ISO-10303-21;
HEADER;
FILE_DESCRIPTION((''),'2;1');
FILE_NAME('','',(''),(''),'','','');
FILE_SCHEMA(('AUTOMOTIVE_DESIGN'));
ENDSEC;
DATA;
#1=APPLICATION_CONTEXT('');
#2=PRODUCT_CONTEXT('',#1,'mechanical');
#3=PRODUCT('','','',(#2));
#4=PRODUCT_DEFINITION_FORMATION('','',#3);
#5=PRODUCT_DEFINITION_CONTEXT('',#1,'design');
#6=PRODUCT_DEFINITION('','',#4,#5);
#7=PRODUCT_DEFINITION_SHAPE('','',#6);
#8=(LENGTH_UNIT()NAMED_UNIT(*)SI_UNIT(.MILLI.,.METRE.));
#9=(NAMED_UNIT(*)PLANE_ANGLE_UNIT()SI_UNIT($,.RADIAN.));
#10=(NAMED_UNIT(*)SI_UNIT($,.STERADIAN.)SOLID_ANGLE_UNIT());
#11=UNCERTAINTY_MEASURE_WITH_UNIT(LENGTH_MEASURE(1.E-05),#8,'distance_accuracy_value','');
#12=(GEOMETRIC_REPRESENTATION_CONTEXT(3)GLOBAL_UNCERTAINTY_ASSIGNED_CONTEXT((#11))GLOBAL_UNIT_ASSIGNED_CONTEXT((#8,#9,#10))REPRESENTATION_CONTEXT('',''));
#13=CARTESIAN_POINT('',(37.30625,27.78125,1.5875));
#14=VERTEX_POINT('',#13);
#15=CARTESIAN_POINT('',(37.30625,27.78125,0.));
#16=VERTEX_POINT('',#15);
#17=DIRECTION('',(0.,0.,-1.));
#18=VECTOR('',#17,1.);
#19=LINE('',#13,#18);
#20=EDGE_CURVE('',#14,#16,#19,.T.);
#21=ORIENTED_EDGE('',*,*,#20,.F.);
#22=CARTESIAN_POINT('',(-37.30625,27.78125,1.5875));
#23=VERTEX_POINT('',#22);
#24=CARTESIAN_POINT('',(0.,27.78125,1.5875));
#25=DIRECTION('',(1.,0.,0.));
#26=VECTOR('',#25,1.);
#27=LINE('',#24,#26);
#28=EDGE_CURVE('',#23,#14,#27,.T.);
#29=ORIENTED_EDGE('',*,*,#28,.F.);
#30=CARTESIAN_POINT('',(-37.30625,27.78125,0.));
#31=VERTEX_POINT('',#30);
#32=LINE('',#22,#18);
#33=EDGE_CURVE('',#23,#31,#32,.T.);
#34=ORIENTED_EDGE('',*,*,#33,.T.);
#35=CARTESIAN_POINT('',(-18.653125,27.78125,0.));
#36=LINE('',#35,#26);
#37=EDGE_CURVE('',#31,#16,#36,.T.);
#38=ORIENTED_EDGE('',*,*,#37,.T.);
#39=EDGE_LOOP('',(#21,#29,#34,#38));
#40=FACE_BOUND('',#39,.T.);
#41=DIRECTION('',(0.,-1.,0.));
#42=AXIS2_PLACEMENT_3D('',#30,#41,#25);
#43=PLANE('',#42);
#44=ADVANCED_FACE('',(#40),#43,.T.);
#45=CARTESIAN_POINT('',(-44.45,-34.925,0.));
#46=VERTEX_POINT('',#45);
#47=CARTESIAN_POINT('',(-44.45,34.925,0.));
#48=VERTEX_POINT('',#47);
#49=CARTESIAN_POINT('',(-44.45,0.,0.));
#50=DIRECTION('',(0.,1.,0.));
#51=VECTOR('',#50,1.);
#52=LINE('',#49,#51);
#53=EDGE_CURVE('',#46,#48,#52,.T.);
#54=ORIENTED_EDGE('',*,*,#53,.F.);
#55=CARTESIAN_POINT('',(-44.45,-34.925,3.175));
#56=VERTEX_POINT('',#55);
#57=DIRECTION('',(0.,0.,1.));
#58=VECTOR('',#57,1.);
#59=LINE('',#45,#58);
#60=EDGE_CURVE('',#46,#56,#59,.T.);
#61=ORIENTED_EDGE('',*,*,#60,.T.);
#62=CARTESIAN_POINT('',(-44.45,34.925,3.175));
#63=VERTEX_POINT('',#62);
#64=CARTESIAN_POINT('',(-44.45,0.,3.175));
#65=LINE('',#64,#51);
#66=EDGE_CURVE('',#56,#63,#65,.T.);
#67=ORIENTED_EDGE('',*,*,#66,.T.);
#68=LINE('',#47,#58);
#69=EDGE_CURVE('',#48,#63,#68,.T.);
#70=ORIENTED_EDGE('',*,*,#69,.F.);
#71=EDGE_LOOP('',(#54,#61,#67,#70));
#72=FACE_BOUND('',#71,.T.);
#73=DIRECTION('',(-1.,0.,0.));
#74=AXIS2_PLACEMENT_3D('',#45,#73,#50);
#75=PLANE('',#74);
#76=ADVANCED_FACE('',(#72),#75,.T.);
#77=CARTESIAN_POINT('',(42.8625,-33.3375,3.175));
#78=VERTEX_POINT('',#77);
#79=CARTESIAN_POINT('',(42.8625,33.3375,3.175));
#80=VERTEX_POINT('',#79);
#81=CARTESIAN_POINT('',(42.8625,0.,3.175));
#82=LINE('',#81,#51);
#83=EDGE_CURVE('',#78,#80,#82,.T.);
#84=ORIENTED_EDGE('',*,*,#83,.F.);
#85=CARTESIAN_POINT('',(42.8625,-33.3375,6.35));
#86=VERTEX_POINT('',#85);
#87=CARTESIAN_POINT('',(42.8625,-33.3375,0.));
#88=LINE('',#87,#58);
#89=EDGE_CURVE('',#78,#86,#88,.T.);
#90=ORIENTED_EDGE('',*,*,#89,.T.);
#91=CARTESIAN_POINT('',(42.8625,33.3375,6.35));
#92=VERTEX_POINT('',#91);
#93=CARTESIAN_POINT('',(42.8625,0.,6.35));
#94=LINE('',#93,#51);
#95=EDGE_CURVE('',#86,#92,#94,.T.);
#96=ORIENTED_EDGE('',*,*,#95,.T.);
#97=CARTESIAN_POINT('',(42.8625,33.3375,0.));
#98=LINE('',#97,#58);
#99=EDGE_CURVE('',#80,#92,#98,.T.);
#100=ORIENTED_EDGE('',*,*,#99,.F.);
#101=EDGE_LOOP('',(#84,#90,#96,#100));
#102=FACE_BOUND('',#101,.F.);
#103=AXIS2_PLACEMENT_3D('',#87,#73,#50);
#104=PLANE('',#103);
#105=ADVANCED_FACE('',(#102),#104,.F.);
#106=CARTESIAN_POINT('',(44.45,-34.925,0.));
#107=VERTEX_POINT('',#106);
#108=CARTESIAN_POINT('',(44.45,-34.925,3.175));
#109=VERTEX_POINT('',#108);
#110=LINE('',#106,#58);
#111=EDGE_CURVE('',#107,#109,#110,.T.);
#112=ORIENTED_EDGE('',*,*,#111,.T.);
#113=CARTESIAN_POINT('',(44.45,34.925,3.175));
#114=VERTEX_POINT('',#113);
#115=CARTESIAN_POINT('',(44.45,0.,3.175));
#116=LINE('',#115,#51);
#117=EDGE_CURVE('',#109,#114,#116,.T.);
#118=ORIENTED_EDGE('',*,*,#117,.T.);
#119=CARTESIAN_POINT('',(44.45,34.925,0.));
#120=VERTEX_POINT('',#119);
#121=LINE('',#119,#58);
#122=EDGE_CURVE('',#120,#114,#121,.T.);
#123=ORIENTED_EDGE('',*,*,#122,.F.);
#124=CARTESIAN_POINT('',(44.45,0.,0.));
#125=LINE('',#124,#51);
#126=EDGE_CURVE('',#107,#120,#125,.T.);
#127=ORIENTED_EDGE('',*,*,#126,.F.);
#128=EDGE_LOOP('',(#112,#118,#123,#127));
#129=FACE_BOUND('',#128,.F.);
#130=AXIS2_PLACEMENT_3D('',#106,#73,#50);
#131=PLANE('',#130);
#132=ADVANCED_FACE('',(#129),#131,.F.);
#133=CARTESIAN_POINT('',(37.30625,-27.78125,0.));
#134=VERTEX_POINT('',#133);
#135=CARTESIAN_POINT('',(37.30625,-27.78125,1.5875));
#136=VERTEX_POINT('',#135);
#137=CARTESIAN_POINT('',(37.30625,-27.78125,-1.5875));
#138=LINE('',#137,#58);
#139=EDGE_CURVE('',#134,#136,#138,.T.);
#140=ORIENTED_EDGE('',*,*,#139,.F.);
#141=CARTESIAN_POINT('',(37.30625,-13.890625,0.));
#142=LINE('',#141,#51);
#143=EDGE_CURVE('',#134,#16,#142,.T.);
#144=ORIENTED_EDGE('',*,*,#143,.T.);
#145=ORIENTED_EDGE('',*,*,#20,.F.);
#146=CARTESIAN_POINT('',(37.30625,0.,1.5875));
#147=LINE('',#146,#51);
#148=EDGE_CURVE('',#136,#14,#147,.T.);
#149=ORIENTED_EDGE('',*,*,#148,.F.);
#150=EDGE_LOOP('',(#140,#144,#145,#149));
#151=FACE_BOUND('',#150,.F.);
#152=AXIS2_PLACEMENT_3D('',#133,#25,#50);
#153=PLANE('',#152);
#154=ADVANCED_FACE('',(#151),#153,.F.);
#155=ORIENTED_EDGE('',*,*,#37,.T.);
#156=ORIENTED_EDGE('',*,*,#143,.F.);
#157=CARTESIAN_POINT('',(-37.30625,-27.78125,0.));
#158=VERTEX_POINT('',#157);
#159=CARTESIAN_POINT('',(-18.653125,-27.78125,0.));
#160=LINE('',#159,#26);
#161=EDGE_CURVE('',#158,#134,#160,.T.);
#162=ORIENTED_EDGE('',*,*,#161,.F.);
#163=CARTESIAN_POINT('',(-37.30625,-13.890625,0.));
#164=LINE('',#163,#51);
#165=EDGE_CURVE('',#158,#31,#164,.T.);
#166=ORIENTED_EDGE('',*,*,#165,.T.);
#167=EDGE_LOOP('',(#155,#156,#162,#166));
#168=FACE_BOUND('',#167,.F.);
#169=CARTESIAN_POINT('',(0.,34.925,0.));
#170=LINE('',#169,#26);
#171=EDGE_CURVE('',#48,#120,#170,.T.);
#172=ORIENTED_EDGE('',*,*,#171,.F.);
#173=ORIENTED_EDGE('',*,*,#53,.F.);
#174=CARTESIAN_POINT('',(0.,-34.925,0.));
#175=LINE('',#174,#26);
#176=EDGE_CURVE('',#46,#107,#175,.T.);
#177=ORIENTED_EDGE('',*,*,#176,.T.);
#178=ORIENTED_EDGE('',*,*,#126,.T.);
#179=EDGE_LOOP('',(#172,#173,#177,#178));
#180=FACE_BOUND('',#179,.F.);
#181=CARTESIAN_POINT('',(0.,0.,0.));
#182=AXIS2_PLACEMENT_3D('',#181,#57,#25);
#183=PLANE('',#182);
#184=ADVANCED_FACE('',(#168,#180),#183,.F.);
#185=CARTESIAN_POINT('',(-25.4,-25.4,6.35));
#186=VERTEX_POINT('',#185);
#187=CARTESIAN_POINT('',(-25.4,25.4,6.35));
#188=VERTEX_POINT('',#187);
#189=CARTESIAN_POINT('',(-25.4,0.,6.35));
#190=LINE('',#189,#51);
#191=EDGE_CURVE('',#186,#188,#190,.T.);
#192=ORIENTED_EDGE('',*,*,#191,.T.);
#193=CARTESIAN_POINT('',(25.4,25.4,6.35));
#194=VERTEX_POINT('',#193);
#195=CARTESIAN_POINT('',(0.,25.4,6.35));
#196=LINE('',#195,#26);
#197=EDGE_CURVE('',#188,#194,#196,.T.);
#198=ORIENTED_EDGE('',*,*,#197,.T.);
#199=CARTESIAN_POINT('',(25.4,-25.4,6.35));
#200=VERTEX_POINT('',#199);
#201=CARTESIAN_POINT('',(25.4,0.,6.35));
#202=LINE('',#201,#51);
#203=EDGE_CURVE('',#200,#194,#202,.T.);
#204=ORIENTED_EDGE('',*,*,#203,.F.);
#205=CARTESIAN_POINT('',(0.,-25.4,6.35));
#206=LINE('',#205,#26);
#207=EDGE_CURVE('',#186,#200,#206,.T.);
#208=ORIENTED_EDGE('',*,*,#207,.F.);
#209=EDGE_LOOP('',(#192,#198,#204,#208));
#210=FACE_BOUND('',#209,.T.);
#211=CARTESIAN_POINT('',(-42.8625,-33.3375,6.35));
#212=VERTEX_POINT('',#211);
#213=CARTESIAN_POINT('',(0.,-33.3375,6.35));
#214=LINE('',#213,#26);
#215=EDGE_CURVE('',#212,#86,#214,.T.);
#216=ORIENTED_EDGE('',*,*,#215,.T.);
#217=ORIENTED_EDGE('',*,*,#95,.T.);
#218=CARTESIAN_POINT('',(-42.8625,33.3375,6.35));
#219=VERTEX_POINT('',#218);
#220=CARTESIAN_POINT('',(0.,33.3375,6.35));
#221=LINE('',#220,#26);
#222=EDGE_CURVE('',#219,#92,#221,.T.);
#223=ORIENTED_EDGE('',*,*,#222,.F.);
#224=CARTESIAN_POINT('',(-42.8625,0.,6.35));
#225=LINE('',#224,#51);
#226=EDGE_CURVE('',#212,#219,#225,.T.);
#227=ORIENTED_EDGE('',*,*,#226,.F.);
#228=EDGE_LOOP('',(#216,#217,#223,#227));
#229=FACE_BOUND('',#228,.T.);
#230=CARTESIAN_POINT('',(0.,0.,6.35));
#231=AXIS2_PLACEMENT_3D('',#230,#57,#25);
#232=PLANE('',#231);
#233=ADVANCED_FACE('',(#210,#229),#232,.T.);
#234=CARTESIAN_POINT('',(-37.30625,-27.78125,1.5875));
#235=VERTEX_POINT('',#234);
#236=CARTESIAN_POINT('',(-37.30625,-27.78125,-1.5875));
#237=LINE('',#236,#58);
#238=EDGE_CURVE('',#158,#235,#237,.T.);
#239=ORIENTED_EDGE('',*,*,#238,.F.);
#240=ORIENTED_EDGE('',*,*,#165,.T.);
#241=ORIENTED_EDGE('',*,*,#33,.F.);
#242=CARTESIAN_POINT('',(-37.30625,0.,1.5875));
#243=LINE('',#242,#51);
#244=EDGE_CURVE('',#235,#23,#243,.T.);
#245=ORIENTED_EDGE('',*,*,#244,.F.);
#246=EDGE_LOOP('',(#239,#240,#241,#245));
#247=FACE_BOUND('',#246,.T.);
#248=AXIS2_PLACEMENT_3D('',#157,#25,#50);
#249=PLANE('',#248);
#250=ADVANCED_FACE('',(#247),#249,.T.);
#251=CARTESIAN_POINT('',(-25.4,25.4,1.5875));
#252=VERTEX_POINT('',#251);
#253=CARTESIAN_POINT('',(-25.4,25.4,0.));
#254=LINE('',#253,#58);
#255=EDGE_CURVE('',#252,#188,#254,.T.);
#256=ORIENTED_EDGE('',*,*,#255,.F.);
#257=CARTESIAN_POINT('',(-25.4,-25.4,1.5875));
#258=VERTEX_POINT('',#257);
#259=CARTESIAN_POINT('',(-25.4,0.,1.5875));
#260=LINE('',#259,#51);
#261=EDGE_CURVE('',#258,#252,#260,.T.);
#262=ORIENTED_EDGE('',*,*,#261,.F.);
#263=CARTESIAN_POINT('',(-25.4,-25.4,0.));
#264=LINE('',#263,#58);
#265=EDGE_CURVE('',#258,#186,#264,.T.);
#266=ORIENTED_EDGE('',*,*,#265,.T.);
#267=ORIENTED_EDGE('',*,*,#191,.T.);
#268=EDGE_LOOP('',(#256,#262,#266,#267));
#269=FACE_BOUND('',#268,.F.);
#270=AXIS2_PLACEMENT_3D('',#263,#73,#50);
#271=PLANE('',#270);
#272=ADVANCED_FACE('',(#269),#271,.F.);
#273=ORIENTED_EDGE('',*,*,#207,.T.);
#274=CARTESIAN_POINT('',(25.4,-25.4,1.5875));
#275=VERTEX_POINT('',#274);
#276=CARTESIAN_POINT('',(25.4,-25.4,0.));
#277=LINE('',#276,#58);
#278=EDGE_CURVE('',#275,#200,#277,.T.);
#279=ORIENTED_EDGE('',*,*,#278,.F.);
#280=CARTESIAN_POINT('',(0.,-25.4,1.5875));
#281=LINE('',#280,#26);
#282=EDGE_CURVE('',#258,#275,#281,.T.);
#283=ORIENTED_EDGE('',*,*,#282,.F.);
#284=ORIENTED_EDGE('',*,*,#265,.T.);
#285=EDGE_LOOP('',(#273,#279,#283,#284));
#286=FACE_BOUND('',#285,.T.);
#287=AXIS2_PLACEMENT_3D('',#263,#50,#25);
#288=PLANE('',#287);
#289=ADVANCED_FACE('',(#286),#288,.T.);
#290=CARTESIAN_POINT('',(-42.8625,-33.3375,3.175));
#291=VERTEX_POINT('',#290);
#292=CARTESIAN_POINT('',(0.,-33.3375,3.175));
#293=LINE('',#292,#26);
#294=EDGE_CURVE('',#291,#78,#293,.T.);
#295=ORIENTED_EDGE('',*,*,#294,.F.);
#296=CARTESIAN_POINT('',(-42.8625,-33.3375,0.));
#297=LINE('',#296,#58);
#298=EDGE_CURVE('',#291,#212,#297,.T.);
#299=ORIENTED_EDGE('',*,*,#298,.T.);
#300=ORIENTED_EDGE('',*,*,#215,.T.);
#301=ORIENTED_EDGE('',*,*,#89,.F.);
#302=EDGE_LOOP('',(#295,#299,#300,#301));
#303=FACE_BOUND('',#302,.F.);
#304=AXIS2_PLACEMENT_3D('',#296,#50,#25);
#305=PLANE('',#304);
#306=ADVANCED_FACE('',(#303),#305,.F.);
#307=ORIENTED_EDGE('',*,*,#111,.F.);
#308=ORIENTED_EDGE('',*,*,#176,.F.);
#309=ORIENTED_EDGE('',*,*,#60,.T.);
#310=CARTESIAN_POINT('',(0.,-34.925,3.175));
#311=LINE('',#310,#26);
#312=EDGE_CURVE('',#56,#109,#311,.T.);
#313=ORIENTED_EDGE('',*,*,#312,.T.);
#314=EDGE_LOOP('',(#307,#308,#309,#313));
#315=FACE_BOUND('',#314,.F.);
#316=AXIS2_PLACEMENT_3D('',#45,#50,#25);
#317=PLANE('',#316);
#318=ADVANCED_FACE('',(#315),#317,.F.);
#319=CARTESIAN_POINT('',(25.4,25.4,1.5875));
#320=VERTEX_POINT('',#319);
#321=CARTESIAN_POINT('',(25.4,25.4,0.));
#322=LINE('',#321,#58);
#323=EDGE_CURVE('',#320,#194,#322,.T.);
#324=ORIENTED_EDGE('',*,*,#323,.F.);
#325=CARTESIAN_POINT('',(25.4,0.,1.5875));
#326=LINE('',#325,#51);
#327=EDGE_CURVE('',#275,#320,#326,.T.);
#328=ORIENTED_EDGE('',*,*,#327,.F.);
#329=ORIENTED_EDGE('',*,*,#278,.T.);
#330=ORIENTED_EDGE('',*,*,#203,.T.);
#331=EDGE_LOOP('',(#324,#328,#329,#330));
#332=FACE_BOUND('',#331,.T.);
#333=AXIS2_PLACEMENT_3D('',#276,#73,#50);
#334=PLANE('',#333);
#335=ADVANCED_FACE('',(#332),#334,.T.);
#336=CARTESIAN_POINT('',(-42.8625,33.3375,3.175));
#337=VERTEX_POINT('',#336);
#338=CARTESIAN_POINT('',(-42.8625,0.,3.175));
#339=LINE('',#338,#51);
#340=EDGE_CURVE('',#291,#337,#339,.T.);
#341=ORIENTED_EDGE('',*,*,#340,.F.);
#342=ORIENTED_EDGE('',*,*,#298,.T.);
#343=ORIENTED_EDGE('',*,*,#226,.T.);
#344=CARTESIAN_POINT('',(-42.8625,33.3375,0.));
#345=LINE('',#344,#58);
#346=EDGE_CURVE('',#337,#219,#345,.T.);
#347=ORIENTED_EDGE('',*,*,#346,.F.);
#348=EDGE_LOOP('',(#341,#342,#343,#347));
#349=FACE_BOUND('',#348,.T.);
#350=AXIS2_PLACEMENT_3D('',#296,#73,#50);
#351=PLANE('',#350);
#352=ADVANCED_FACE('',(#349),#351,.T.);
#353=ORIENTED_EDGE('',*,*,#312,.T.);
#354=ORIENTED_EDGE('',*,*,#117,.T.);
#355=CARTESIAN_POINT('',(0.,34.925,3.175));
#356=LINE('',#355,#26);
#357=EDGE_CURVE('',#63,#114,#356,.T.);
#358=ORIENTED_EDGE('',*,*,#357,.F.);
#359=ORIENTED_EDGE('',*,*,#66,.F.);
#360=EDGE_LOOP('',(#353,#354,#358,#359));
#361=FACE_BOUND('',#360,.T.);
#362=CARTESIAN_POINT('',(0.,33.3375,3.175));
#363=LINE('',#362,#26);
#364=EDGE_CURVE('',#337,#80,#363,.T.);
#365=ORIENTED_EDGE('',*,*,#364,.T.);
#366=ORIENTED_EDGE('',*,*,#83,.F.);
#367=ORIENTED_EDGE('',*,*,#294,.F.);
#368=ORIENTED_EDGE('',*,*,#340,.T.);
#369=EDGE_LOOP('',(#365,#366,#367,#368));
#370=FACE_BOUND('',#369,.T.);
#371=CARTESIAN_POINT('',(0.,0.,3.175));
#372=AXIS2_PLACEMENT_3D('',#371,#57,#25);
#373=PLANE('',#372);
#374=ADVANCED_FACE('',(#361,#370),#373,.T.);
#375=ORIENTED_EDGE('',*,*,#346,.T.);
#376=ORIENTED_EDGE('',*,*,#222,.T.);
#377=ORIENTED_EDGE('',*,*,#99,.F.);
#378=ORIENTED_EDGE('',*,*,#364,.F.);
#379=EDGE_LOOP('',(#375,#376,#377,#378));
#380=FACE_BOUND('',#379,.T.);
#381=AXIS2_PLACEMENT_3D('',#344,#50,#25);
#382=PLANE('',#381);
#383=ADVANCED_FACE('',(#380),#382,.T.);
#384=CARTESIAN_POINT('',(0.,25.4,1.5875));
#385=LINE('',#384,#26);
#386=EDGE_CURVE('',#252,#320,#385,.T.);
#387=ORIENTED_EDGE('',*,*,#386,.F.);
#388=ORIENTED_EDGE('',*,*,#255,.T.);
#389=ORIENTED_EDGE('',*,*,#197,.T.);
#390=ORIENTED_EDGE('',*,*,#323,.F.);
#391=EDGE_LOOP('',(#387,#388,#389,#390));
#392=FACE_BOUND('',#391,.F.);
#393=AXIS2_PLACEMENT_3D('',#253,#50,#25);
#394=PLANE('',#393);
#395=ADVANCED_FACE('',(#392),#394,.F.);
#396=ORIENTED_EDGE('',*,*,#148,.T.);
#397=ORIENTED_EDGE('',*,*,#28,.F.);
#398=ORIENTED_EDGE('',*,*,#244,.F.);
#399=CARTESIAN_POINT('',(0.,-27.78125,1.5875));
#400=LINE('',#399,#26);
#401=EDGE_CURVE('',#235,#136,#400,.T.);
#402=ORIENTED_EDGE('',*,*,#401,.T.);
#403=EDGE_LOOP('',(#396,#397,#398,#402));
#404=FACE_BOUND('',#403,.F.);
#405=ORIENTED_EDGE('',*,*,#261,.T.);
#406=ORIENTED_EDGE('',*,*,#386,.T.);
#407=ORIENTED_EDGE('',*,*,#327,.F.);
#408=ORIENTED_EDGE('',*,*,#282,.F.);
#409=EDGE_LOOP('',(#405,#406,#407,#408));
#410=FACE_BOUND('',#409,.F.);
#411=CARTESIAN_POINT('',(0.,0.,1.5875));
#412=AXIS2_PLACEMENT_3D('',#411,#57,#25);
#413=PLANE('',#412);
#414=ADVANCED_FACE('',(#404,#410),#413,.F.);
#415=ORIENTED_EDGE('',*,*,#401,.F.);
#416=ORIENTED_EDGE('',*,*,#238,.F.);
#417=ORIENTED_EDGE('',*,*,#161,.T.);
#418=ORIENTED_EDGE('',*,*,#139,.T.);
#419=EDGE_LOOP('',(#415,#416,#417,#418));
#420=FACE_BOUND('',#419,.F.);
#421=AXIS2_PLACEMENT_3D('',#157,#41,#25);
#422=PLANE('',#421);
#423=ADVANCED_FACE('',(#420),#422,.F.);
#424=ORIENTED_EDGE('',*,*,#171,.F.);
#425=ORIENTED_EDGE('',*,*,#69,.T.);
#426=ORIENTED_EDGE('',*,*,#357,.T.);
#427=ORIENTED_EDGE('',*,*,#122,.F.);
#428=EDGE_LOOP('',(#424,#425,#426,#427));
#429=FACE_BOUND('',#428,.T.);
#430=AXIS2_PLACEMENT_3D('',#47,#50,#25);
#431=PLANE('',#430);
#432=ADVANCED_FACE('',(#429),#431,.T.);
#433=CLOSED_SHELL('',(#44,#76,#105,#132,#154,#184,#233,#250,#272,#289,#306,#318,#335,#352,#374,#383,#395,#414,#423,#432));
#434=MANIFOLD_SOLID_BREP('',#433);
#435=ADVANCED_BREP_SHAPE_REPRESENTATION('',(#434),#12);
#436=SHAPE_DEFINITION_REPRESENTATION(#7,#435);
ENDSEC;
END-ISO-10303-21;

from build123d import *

# Parameters (mm, degrees)
F0_W     = 88.9
F0_H     = 69.85
F0_W_2   = 85.725
F0_H_2   = 66.675
F1_DEPTH = 3.175
F0_W_3   = 74.6125
F0_H_3   = 55.5625
F2_DEPTH = 6.35
F0_W_4   = 50.8
F0_H_4   = 50.8
F3_DEPTH = 6.35
F4_DEPTH = 1.5875


with BuildPart() as f1:
    # F0 (on Top) → F1 (new body)
    with BuildSketch(Plane.XY):
        Rectangle(F0_W, F0_H)
        Rectangle(F0_W_2, F0_H_2, mode=Mode.SUBTRACT)
    extrude(amount=F1_DEPTH)

    # F0 (on Top) → F2 (join)
    with BuildSketch(Plane.XY):
        Rectangle(F0_W_2, F0_H_2)
        Rectangle(F0_W_3, F0_H_3, mode=Mode.SUBTRACT)
    extrude(amount=F2_DEPTH)

    # F0 (on Top) → F3 (join)
    with BuildSketch(Plane.XY):
        Rectangle(F0_W_3, F0_H_3)
        Rectangle(F0_W_4, F0_H_4, mode=Mode.SUBTRACT)
    extrude(amount=F3_DEPTH)

    # F0 (on Top) → F4 (cut, symmetric)
    with BuildSketch(Plane.XY):
        Rectangle(F0_W_3, F0_H_3)
        Rectangle(F0_W_4, F0_H_4, mode=Mode.SUBTRACT)
    extrude(amount=F4_DEPTH, both=True, mode=Mode.SUBTRACT)


solid = f1.part
